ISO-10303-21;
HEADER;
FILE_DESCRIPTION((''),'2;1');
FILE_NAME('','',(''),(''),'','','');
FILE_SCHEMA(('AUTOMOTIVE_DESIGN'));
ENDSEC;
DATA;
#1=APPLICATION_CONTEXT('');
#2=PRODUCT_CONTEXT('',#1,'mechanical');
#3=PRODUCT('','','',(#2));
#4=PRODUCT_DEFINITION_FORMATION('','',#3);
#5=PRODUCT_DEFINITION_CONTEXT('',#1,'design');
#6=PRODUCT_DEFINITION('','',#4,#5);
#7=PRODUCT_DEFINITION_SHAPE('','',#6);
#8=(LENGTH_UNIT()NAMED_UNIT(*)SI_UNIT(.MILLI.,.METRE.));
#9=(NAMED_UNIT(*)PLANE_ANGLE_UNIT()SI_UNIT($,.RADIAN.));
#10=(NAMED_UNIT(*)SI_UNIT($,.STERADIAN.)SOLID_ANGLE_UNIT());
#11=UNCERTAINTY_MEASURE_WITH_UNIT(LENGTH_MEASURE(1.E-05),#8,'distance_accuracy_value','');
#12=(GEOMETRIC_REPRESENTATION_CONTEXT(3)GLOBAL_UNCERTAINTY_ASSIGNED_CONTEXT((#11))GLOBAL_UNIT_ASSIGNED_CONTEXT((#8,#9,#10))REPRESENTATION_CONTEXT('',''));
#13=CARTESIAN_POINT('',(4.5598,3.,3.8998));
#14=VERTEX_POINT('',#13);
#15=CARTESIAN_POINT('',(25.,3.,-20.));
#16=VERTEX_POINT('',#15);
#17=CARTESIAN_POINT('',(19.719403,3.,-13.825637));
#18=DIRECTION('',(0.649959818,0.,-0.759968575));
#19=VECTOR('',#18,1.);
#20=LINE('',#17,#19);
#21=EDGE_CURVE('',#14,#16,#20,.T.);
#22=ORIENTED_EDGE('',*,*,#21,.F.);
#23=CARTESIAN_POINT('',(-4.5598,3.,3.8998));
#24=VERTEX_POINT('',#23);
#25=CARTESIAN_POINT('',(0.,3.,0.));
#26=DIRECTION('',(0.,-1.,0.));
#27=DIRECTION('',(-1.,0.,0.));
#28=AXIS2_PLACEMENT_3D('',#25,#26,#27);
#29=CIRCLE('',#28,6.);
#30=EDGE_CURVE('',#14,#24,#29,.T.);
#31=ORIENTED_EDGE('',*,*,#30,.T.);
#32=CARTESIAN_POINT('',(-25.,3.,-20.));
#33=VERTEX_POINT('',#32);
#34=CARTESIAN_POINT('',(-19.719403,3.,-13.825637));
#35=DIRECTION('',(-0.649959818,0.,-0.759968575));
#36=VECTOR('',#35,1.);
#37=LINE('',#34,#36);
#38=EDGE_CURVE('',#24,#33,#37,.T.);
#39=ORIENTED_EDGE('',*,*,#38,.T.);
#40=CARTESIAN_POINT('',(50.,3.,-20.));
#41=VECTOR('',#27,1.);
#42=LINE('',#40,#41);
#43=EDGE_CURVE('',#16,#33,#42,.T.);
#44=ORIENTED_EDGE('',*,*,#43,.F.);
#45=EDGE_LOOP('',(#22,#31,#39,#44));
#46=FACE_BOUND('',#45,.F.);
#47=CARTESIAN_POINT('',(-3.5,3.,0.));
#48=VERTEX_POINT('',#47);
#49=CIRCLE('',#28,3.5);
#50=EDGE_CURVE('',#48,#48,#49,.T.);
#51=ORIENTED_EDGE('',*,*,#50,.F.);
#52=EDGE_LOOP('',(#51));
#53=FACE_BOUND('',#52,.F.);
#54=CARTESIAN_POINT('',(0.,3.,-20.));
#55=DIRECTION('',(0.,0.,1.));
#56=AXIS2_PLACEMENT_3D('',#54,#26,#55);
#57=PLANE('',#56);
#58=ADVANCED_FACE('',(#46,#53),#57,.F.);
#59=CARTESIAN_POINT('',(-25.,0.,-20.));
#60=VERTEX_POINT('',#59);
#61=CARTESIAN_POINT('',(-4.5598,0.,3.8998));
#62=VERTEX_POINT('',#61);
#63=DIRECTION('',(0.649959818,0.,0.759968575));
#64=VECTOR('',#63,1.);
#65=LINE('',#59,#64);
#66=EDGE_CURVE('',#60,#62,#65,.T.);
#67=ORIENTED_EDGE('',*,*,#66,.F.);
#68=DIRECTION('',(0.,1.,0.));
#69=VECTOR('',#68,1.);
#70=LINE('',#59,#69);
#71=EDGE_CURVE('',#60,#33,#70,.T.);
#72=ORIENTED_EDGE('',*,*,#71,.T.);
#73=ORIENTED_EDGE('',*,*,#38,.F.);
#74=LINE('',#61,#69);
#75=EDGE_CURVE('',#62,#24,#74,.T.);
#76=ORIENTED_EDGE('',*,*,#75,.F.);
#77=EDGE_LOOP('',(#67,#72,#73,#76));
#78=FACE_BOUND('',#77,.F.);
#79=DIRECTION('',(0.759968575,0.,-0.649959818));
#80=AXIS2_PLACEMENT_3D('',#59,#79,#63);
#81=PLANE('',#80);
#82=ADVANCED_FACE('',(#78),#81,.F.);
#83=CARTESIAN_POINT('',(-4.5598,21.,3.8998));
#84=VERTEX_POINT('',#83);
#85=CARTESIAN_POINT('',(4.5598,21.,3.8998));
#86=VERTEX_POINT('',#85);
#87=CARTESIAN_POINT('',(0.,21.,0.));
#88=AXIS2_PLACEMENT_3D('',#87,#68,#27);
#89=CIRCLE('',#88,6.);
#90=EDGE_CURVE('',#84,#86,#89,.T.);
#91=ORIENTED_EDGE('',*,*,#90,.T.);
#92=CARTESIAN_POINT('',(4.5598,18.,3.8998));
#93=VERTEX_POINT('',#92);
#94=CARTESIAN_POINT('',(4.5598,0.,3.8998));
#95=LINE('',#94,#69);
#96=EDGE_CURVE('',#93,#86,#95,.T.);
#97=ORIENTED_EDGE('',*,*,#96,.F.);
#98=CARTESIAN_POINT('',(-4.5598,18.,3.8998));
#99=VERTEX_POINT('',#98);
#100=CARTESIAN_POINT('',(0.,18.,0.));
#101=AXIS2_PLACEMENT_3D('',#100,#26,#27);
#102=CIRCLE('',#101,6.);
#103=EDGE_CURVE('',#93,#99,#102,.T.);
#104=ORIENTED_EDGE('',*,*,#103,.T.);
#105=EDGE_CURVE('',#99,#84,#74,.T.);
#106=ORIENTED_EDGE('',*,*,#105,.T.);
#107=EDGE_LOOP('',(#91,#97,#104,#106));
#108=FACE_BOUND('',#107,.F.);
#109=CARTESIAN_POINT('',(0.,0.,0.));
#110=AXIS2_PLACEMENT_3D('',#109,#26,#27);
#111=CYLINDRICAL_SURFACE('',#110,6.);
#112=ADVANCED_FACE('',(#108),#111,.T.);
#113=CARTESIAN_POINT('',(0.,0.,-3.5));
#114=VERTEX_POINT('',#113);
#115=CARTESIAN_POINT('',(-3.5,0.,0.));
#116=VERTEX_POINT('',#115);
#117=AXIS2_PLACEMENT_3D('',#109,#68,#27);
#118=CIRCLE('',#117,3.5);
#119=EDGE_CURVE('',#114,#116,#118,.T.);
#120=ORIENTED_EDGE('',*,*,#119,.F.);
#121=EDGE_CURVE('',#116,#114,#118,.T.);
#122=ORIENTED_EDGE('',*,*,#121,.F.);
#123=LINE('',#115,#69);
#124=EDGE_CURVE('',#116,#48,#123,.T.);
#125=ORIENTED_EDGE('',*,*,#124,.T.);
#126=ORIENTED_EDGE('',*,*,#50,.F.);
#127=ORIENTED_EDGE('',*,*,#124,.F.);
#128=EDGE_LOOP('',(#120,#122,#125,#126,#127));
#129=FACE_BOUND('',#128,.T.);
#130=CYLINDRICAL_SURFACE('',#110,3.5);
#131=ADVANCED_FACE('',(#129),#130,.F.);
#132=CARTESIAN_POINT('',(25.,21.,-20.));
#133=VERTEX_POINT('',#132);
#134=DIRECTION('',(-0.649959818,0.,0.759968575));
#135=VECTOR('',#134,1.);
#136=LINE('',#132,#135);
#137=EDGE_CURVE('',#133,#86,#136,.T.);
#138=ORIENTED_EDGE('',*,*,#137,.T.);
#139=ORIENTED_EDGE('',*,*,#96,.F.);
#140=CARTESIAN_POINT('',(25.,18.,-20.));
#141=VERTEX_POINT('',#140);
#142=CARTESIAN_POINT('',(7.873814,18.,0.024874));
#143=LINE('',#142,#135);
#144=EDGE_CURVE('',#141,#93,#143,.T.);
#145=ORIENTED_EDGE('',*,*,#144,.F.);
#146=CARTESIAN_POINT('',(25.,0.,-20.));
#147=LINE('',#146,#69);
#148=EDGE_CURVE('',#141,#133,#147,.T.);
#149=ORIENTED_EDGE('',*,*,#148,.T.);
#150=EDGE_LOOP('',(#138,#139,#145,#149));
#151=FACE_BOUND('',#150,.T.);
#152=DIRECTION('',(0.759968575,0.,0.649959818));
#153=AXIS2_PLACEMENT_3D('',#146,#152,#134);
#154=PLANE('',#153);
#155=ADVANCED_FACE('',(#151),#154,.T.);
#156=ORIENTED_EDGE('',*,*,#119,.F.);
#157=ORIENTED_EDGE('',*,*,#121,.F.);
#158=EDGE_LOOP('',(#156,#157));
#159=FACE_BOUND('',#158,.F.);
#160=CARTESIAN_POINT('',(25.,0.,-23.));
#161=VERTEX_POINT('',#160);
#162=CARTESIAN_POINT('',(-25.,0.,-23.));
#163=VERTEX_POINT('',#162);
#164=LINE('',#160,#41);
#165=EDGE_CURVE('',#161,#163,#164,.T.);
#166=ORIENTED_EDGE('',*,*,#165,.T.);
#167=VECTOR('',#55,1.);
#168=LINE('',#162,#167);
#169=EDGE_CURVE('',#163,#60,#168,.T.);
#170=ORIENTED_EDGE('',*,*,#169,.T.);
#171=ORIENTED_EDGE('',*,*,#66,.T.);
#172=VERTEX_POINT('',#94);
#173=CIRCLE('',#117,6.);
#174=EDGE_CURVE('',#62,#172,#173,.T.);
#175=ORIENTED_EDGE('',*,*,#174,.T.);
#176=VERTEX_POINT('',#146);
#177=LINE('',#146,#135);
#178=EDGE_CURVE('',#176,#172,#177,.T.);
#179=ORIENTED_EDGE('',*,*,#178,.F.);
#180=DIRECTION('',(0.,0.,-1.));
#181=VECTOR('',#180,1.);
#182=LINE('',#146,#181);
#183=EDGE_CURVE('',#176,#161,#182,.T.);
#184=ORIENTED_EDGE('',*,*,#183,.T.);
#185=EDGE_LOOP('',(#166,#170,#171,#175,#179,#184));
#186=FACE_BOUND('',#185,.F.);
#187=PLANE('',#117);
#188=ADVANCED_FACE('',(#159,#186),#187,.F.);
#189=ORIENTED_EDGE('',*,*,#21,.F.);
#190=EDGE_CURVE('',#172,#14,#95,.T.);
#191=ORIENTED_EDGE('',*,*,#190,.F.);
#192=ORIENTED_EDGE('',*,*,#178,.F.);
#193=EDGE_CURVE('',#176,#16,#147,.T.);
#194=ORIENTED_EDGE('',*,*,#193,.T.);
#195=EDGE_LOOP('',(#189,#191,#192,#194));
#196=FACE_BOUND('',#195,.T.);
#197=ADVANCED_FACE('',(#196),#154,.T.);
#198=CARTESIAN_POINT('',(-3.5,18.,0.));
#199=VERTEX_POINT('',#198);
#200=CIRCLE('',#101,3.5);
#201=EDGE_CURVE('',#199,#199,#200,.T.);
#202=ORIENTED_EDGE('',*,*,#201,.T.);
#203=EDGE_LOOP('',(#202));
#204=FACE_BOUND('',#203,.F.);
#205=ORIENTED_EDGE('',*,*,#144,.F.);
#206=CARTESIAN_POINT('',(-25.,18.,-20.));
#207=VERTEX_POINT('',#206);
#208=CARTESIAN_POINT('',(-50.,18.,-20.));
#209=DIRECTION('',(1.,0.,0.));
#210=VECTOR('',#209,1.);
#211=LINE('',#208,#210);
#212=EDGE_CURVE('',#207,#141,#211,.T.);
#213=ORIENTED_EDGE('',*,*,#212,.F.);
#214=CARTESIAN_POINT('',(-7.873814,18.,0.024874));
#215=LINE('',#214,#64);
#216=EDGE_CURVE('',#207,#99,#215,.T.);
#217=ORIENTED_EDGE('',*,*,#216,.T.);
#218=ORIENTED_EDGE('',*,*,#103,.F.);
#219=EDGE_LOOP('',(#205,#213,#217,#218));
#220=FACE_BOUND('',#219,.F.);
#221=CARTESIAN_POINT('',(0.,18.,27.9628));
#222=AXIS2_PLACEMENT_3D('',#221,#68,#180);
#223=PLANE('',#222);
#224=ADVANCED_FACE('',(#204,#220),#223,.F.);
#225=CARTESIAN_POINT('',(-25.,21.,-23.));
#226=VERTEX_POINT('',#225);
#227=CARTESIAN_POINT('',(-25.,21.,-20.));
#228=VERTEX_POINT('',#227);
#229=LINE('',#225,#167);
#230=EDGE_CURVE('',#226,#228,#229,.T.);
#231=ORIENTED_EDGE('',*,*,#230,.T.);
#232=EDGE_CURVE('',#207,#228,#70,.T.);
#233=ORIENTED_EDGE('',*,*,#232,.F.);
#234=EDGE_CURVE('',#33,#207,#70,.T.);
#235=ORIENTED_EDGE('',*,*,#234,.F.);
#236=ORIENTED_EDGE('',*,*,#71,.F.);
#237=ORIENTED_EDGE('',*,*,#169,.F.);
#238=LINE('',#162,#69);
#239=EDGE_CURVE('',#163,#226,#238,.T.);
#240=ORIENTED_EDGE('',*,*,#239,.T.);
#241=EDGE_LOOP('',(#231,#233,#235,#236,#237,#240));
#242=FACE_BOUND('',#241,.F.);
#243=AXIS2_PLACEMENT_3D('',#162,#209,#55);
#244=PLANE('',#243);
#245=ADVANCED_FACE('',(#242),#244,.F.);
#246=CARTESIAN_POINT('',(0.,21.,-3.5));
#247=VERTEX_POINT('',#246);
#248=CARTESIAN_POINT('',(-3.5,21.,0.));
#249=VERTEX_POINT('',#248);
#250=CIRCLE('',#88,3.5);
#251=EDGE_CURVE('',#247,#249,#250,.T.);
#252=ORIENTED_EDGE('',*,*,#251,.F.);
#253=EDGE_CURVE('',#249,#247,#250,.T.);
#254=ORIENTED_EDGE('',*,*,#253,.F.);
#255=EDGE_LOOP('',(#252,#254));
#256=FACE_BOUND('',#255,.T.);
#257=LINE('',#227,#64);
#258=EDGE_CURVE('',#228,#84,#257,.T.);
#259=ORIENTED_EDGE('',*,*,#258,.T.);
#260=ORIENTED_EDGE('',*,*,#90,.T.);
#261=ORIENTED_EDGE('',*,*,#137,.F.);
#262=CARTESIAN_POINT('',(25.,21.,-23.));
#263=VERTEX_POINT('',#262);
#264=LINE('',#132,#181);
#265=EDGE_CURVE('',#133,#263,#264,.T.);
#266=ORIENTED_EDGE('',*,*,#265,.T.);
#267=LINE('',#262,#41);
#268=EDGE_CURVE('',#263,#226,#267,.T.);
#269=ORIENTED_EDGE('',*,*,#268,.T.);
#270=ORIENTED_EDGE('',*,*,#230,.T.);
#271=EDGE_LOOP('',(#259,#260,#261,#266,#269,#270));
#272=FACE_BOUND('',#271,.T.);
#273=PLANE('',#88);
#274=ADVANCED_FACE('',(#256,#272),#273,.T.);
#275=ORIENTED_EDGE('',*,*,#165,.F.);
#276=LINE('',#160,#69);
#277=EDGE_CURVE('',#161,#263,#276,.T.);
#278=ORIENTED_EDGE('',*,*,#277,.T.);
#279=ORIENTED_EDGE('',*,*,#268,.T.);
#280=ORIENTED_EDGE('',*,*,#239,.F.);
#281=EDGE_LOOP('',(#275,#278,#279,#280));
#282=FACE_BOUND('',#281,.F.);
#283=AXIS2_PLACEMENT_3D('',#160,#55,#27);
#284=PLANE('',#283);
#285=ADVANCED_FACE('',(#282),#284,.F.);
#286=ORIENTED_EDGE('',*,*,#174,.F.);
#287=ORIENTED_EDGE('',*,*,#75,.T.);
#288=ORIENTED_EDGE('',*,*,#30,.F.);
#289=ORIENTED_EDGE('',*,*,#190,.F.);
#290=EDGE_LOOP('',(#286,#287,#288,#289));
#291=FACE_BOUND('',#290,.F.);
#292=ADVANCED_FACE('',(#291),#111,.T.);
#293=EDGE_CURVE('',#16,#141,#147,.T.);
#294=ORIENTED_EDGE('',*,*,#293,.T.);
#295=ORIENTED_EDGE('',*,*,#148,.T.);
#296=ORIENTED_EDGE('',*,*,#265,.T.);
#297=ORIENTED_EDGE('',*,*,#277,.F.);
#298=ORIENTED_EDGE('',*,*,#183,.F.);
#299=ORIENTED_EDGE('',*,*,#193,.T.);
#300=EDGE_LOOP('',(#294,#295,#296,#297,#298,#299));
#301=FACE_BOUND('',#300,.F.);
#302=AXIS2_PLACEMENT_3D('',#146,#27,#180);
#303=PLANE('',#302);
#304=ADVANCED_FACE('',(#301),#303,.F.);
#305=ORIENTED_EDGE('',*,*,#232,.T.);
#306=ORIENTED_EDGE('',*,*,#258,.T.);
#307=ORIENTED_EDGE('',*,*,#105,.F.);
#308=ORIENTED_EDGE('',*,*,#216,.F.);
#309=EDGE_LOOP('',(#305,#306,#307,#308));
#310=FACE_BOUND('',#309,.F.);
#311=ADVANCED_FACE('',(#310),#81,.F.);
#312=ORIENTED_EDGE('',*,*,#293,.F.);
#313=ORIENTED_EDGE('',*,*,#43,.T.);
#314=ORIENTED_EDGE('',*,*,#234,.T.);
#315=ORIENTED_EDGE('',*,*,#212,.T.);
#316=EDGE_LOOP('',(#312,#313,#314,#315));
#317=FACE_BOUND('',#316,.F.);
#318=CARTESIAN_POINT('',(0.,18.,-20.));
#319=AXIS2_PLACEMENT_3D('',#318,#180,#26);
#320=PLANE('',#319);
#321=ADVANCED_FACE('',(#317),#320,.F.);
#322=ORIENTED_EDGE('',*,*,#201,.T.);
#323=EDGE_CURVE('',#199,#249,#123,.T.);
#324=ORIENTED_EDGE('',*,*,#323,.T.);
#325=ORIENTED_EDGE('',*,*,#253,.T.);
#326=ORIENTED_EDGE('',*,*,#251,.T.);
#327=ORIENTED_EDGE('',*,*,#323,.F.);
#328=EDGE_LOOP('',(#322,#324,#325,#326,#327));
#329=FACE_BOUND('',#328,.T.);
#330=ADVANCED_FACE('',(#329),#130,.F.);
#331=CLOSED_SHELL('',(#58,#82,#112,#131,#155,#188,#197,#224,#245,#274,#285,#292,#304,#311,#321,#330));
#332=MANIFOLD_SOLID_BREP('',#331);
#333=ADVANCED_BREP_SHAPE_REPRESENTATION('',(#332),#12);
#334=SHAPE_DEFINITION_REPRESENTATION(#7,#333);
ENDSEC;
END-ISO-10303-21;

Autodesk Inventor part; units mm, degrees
ref_plane "YZ Plane" through (0, 0, 0) normal (1, 0, 0) x (0, 1, 0)
ref_plane "XZ Plane" through (0, 0, 0) normal (0, 1, 0) x (-1, 0, 0)
ref_plane "XY Plane" through (0, 0, 0) normal (0, 0, 1) x (1, 0, 0)
sketch "Sketch1" plane through (0, 0, 0) normal (0, 1, 0) x (-1, 0, 0)
  circle A0 centre (0, 0) radius 3.5
  circle A1 centre (0, 0) radius 6
  line L0 (0, 0) -> (0, -20)
  line L1 (25, -20) -> (-25, -20)
  line L2 (25, -20) -> (4.5598, 3.8998)
  line L3 (-25, -20) -> (-4.5598, 3.8998)
  line L4 (25, -20) -> (-25, -20)
  line L5 (-25, -20) -> (-25, -23)
  line L6 (-25, -23) -> (25, -23)
  line L7 (25, -23) -> (25, -20)
  point P0 (-25, -20)
  dimension "d0" = 7
  dimension "d1" = 12
  dimension "d2" = 20
  dimension "d3" = 50
  dimension "d4" = 3
extrude "Extrusion1" add sketch "Sketch1" along normal blind 21
sketch "Sketch2" plane through (0, 0, 0) normal (1, 0, 0) x (0, 1, 0)
  line L0 (18, -20) -> (3, -20)
  line L1 (3, -20) -> (3, 27.9628)
  line L2 (3, 27.9628) -> (18, 27.9628)
  line L3 (18, 27.9628) -> (18, -20)
  line L4 (0, -20) -> (21, -20) projected
  point P0 (0, 0)
  point P1 (10.5, -20)
  dimension "d7" = 15
extrude "Extrusion2" cut sketch "Sketch2" along normal mid plane 100
properties part number "ShifterBracket"
